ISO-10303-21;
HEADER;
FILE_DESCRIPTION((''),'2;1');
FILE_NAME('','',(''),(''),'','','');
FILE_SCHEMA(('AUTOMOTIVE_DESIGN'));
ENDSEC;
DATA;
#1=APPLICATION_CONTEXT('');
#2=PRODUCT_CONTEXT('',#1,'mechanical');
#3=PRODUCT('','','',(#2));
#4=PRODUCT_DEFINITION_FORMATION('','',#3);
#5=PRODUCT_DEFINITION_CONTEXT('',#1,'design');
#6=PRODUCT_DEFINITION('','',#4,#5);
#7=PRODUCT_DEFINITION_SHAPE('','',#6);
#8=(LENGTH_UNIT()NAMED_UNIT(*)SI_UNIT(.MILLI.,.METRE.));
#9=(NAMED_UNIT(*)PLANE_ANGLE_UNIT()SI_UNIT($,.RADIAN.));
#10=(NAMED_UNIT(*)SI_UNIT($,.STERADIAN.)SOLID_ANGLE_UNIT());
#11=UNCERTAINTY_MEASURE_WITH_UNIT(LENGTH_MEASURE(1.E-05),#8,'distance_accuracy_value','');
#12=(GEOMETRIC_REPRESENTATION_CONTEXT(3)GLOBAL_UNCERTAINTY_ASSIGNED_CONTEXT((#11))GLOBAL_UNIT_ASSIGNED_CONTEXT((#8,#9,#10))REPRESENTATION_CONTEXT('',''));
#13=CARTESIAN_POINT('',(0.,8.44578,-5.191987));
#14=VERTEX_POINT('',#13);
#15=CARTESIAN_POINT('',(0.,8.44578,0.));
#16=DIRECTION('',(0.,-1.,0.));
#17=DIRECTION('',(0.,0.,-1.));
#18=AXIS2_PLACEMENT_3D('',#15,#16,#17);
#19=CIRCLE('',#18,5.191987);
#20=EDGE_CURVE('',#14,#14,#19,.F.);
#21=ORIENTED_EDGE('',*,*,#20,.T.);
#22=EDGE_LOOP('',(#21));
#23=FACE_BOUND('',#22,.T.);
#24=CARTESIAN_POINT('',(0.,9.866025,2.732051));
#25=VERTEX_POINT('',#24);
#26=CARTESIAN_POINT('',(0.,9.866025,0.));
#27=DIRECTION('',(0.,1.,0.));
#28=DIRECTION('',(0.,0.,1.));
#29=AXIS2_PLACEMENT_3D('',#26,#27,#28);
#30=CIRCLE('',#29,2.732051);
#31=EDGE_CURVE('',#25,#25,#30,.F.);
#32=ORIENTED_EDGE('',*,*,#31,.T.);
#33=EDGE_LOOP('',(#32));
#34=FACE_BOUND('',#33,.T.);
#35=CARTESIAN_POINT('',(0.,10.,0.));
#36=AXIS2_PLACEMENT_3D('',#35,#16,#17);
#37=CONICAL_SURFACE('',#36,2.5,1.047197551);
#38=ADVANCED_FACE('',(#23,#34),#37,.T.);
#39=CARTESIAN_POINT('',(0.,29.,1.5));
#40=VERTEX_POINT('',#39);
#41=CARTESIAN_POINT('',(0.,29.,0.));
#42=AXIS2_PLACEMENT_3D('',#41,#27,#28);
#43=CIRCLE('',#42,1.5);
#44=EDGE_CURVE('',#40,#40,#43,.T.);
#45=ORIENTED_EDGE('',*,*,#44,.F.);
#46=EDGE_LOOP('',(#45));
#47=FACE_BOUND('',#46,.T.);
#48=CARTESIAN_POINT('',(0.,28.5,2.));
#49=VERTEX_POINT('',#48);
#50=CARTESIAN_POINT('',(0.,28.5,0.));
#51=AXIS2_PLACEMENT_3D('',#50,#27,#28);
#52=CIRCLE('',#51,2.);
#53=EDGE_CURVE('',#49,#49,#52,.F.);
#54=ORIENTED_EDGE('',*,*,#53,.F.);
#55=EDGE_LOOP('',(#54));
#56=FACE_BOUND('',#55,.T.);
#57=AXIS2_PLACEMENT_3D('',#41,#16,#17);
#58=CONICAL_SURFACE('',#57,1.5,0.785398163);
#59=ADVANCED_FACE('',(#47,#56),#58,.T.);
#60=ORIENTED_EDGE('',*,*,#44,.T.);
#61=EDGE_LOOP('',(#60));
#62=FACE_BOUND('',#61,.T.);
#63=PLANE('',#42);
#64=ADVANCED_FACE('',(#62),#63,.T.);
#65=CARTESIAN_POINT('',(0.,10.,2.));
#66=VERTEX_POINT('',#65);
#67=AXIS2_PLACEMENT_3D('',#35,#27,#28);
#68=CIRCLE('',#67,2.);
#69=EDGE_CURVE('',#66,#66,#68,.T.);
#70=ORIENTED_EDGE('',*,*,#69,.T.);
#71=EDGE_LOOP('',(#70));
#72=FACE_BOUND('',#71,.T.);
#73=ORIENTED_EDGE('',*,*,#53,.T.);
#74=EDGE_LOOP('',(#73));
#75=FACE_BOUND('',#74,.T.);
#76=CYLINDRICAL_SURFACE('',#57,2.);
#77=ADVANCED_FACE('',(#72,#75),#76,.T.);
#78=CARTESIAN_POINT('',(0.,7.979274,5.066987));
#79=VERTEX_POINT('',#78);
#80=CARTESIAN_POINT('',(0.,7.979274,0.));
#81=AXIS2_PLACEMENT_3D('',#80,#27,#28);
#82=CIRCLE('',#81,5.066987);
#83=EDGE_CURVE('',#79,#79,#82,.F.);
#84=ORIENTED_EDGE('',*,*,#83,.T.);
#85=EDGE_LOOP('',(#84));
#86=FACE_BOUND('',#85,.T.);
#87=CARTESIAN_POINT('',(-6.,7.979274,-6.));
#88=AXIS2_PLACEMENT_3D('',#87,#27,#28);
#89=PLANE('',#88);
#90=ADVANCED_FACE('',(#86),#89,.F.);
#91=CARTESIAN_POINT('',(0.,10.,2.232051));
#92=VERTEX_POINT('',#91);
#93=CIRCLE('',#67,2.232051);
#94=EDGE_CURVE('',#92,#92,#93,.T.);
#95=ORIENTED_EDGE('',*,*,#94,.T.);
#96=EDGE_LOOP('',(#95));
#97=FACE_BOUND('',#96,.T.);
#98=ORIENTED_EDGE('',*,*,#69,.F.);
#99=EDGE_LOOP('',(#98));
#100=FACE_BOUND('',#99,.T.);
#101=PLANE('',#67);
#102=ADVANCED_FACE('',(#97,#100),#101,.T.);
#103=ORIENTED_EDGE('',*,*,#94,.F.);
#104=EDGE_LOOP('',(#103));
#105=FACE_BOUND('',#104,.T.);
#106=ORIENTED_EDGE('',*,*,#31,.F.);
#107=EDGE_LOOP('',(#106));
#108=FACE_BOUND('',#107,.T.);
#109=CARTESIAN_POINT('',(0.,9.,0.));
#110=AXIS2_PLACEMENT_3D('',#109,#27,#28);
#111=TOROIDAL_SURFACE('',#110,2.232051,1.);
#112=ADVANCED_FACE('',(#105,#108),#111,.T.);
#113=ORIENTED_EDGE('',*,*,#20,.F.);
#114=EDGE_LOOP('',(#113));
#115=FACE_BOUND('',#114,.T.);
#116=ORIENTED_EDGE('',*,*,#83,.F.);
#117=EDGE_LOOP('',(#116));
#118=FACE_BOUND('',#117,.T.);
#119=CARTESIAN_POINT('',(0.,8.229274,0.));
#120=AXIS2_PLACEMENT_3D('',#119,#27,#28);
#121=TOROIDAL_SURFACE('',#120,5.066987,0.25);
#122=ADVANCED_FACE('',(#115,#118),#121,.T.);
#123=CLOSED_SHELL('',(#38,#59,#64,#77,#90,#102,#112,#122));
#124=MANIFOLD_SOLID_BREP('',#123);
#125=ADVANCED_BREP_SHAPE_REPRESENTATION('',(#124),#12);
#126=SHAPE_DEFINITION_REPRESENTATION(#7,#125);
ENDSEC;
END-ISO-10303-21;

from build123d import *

# Parameters (mm, degrees)
SKETCH1_R               = 6
BOSS_EXTRUDE1_DEPTH     = 10
CHAMFER1_SIZE           = 3.5
CHAMFER1_SIZE2          = 2.020725942
CUT_EXTRUDE1_DEPTH      = 14.114877049
CUT_EXTRUDE1_DEPTH_BACK = 14.114877049
SKETCH2_W               = 12
SKETCH2_H               = 7.979274058
SKETCH3_R               = 2
BOSS_EXTRUDE2_DEPTH     = 19
CHAMFER2_SIZE           = 0.5
FILLET1_R               = 0.25
FILLET2_R               = 1


with BuildPart() as part:
    # Sketch1 → Boss-Extrude1 (new body)
    with BuildSketch(Plane(origin=(0, 0, 0), x_dir=(1, 0, 0), z_dir=(0, 1, 0))):
        with Locations(Location((0, 0, 0), (0, 0, 270))):
            Circle(SKETCH1_R)
    extrude(amount=BOSS_EXTRUDE1_DEPTH)

    # Chamfer1
    chamfer1_edges = [part.edges().sort_by_distance(p)[0] for p in [
        (0, 10, -6),
    ]]
    chamfer1_side = [part.faces().sort_by_distance(p)[0] for p in [
        (0, 10, 0),
    ]]
    chamfer(chamfer1_edges, length=CHAMFER1_SIZE, length2=CHAMFER1_SIZE2, reference=chamfer1_side[0])

    # Sketch2 → Cut-Extrude1 (cut, two sides: drawn at the far end of the back side and taken through both)
    with BuildSketch(Plane.XY.offset(-CUT_EXTRUDE1_DEPTH_BACK)):
        with Locations((0, 3.989637029)):
            Rectangle(SKETCH2_W, SKETCH2_H)
    extrude(amount=CUT_EXTRUDE1_DEPTH + CUT_EXTRUDE1_DEPTH_BACK, mode=Mode.SUBTRACT)

    # Sketch3 → Boss-Extrude2 (add)
    with BuildSketch(Plane(origin=(0, 10, 0), x_dir=(1, 0, 0), z_dir=(0, 1, 0))):
        with Locations(Location((0, 0, 0), (0, 0, 270))):
            Circle(SKETCH3_R)
    extrude(amount=BOSS_EXTRUDE2_DEPTH)

    # Chamfer2
    chamfer2_edges = [part.edges().sort_by_distance(p)[0] for p in [
        (0, 29, -2),
    ]]
    chamfer(chamfer2_edges, length=CHAMFER2_SIZE)

    # Fillet1
    fillet1_edges = [part.edges().sort_by_distance(p)[0] for p in [
        (0, 7.979274058, -6),
    ]]
    fillet(fillet1_edges, radius=FILLET1_R)

    # Fillet2
    fillet2_edges = [part.edges().sort_by_distance(p)[0] for p in [
        (0, 10, -2.5),
    ]]
    fillet(fillet2_edges, radius=FILLET2_R)


solid = part.part
